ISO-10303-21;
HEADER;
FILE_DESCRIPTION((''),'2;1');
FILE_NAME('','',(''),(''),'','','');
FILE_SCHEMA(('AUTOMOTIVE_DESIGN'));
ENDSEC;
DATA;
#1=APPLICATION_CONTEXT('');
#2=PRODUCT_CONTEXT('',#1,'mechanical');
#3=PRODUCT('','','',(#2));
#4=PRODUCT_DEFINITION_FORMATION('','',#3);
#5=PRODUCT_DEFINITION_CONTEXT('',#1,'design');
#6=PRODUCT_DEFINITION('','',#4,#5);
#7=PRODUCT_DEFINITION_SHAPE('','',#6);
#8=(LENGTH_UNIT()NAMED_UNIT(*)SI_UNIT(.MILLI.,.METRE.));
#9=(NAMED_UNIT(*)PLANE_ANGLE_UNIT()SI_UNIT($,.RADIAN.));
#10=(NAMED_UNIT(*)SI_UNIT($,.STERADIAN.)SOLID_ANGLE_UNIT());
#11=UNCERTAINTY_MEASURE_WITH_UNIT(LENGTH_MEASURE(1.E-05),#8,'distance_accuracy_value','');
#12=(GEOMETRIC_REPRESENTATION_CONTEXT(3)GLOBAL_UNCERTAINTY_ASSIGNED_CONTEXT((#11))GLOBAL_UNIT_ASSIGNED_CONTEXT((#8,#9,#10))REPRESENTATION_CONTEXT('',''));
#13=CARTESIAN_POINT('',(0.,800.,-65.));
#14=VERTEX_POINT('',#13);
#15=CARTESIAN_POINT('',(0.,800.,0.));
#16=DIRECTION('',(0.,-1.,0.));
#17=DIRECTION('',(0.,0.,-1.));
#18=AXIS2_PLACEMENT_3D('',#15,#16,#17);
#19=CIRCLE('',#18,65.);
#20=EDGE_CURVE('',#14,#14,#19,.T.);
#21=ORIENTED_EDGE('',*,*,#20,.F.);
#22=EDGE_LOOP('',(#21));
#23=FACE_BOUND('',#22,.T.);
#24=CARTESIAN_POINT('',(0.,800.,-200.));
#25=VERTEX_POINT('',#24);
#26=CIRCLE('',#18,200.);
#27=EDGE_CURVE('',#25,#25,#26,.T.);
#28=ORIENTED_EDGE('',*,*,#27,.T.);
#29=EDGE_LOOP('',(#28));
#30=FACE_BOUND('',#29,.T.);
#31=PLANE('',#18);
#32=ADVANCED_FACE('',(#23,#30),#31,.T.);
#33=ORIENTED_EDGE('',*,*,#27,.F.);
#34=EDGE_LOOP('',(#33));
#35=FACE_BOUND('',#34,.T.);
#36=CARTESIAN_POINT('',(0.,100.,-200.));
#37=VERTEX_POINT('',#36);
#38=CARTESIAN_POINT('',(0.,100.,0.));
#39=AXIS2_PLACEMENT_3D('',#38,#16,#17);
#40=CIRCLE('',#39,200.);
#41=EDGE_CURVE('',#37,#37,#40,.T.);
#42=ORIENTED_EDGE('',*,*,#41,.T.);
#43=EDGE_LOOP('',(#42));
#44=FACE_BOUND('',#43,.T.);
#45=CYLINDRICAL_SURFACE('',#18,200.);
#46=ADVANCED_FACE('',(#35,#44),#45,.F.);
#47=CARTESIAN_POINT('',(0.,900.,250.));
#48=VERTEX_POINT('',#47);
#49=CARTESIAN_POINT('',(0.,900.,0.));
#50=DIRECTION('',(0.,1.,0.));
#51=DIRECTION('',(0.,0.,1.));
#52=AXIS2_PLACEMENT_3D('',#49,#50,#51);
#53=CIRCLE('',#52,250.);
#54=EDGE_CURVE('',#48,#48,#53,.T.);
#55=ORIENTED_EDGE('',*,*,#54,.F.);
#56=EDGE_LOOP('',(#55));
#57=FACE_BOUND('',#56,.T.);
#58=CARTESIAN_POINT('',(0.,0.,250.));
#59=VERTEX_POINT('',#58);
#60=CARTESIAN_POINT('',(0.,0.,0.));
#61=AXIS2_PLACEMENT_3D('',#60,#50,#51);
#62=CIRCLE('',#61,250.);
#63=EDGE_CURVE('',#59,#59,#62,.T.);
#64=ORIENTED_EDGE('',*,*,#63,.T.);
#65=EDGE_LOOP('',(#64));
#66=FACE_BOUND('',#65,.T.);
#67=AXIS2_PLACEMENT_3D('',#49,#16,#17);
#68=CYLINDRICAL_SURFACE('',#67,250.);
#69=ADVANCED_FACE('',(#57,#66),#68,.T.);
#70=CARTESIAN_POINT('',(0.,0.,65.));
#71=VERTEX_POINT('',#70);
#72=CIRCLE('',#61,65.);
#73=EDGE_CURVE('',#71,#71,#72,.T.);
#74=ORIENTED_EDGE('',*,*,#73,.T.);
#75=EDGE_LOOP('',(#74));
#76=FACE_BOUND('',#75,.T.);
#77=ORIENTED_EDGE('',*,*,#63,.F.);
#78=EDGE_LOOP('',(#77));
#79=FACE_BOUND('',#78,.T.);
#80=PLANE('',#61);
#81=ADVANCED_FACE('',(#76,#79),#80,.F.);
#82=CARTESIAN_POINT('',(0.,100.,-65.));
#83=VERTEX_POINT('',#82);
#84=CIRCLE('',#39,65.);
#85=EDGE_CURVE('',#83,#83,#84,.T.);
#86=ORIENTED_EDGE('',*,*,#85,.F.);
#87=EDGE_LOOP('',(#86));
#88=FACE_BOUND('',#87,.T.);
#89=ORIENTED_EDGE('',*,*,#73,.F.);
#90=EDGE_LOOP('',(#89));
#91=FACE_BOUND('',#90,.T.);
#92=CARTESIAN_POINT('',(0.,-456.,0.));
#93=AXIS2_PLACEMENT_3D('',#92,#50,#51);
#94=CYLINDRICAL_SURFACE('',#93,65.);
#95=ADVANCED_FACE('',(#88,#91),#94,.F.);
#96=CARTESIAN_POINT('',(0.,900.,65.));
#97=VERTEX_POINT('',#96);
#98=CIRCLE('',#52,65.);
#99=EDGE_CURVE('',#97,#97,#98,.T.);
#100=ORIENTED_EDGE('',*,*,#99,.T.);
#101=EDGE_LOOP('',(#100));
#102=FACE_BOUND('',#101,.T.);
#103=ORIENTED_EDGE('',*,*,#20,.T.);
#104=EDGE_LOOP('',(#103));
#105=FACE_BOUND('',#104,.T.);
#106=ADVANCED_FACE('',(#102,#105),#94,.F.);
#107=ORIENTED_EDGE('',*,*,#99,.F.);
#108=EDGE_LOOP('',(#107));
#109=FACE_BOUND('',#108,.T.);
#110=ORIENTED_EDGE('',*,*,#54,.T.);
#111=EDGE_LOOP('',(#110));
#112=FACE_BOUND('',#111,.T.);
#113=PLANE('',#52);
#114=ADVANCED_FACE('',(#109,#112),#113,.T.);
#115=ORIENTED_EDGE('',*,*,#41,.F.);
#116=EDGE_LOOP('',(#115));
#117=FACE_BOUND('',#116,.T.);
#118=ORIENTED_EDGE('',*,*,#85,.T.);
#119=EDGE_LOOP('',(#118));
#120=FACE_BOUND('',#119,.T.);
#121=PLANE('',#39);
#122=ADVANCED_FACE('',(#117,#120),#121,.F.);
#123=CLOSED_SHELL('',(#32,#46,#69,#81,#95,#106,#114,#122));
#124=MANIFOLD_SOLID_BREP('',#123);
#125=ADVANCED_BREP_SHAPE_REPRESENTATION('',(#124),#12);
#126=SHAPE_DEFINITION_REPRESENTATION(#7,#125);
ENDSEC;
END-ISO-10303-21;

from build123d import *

# Parameters (mm, degrees)
SKETCH1_R           = 250
BOSS_EXTRUDE1_DEPTH = 900
CUT_EXTRUDE1_START  = -100
SKETCH5_R           = 200
CUT_EXTRUDE1_DEPTH  = 700
SKETCH6_R           = 65
CUT_EXTRUDE2_DEPTH  = 1356


with BuildPart() as part:
    # Sketch1 → Boss-Extrude1 (new body)
    with BuildSketch(Plane(origin=(0, 0, 0), x_dir=(1, 0, 0), z_dir=(0, 1, 0))):
        Circle(SKETCH1_R)
    extrude(amount=BOSS_EXTRUDE1_DEPTH)

    # Sketch5 → Cut-Extrude1 (cut)
    with BuildSketch(Plane(origin=(0, 0, 0), x_dir=(-1, 0, 0), z_dir=(0, -1, 0)).offset(CUT_EXTRUDE1_START)):
        Circle(SKETCH5_R)
    extrude(amount=-CUT_EXTRUDE1_DEPTH, mode=Mode.SUBTRACT)

    # Sketch6 → Cut-Extrude2 (cut)
    with BuildSketch(Plane(origin=(0, 900, 0), x_dir=(1, 0, 0), z_dir=(0, 1, 0))):
        Circle(SKETCH6_R)
    extrude(amount=-CUT_EXTRUDE2_DEPTH, mode=Mode.SUBTRACT)


solid = part.part
